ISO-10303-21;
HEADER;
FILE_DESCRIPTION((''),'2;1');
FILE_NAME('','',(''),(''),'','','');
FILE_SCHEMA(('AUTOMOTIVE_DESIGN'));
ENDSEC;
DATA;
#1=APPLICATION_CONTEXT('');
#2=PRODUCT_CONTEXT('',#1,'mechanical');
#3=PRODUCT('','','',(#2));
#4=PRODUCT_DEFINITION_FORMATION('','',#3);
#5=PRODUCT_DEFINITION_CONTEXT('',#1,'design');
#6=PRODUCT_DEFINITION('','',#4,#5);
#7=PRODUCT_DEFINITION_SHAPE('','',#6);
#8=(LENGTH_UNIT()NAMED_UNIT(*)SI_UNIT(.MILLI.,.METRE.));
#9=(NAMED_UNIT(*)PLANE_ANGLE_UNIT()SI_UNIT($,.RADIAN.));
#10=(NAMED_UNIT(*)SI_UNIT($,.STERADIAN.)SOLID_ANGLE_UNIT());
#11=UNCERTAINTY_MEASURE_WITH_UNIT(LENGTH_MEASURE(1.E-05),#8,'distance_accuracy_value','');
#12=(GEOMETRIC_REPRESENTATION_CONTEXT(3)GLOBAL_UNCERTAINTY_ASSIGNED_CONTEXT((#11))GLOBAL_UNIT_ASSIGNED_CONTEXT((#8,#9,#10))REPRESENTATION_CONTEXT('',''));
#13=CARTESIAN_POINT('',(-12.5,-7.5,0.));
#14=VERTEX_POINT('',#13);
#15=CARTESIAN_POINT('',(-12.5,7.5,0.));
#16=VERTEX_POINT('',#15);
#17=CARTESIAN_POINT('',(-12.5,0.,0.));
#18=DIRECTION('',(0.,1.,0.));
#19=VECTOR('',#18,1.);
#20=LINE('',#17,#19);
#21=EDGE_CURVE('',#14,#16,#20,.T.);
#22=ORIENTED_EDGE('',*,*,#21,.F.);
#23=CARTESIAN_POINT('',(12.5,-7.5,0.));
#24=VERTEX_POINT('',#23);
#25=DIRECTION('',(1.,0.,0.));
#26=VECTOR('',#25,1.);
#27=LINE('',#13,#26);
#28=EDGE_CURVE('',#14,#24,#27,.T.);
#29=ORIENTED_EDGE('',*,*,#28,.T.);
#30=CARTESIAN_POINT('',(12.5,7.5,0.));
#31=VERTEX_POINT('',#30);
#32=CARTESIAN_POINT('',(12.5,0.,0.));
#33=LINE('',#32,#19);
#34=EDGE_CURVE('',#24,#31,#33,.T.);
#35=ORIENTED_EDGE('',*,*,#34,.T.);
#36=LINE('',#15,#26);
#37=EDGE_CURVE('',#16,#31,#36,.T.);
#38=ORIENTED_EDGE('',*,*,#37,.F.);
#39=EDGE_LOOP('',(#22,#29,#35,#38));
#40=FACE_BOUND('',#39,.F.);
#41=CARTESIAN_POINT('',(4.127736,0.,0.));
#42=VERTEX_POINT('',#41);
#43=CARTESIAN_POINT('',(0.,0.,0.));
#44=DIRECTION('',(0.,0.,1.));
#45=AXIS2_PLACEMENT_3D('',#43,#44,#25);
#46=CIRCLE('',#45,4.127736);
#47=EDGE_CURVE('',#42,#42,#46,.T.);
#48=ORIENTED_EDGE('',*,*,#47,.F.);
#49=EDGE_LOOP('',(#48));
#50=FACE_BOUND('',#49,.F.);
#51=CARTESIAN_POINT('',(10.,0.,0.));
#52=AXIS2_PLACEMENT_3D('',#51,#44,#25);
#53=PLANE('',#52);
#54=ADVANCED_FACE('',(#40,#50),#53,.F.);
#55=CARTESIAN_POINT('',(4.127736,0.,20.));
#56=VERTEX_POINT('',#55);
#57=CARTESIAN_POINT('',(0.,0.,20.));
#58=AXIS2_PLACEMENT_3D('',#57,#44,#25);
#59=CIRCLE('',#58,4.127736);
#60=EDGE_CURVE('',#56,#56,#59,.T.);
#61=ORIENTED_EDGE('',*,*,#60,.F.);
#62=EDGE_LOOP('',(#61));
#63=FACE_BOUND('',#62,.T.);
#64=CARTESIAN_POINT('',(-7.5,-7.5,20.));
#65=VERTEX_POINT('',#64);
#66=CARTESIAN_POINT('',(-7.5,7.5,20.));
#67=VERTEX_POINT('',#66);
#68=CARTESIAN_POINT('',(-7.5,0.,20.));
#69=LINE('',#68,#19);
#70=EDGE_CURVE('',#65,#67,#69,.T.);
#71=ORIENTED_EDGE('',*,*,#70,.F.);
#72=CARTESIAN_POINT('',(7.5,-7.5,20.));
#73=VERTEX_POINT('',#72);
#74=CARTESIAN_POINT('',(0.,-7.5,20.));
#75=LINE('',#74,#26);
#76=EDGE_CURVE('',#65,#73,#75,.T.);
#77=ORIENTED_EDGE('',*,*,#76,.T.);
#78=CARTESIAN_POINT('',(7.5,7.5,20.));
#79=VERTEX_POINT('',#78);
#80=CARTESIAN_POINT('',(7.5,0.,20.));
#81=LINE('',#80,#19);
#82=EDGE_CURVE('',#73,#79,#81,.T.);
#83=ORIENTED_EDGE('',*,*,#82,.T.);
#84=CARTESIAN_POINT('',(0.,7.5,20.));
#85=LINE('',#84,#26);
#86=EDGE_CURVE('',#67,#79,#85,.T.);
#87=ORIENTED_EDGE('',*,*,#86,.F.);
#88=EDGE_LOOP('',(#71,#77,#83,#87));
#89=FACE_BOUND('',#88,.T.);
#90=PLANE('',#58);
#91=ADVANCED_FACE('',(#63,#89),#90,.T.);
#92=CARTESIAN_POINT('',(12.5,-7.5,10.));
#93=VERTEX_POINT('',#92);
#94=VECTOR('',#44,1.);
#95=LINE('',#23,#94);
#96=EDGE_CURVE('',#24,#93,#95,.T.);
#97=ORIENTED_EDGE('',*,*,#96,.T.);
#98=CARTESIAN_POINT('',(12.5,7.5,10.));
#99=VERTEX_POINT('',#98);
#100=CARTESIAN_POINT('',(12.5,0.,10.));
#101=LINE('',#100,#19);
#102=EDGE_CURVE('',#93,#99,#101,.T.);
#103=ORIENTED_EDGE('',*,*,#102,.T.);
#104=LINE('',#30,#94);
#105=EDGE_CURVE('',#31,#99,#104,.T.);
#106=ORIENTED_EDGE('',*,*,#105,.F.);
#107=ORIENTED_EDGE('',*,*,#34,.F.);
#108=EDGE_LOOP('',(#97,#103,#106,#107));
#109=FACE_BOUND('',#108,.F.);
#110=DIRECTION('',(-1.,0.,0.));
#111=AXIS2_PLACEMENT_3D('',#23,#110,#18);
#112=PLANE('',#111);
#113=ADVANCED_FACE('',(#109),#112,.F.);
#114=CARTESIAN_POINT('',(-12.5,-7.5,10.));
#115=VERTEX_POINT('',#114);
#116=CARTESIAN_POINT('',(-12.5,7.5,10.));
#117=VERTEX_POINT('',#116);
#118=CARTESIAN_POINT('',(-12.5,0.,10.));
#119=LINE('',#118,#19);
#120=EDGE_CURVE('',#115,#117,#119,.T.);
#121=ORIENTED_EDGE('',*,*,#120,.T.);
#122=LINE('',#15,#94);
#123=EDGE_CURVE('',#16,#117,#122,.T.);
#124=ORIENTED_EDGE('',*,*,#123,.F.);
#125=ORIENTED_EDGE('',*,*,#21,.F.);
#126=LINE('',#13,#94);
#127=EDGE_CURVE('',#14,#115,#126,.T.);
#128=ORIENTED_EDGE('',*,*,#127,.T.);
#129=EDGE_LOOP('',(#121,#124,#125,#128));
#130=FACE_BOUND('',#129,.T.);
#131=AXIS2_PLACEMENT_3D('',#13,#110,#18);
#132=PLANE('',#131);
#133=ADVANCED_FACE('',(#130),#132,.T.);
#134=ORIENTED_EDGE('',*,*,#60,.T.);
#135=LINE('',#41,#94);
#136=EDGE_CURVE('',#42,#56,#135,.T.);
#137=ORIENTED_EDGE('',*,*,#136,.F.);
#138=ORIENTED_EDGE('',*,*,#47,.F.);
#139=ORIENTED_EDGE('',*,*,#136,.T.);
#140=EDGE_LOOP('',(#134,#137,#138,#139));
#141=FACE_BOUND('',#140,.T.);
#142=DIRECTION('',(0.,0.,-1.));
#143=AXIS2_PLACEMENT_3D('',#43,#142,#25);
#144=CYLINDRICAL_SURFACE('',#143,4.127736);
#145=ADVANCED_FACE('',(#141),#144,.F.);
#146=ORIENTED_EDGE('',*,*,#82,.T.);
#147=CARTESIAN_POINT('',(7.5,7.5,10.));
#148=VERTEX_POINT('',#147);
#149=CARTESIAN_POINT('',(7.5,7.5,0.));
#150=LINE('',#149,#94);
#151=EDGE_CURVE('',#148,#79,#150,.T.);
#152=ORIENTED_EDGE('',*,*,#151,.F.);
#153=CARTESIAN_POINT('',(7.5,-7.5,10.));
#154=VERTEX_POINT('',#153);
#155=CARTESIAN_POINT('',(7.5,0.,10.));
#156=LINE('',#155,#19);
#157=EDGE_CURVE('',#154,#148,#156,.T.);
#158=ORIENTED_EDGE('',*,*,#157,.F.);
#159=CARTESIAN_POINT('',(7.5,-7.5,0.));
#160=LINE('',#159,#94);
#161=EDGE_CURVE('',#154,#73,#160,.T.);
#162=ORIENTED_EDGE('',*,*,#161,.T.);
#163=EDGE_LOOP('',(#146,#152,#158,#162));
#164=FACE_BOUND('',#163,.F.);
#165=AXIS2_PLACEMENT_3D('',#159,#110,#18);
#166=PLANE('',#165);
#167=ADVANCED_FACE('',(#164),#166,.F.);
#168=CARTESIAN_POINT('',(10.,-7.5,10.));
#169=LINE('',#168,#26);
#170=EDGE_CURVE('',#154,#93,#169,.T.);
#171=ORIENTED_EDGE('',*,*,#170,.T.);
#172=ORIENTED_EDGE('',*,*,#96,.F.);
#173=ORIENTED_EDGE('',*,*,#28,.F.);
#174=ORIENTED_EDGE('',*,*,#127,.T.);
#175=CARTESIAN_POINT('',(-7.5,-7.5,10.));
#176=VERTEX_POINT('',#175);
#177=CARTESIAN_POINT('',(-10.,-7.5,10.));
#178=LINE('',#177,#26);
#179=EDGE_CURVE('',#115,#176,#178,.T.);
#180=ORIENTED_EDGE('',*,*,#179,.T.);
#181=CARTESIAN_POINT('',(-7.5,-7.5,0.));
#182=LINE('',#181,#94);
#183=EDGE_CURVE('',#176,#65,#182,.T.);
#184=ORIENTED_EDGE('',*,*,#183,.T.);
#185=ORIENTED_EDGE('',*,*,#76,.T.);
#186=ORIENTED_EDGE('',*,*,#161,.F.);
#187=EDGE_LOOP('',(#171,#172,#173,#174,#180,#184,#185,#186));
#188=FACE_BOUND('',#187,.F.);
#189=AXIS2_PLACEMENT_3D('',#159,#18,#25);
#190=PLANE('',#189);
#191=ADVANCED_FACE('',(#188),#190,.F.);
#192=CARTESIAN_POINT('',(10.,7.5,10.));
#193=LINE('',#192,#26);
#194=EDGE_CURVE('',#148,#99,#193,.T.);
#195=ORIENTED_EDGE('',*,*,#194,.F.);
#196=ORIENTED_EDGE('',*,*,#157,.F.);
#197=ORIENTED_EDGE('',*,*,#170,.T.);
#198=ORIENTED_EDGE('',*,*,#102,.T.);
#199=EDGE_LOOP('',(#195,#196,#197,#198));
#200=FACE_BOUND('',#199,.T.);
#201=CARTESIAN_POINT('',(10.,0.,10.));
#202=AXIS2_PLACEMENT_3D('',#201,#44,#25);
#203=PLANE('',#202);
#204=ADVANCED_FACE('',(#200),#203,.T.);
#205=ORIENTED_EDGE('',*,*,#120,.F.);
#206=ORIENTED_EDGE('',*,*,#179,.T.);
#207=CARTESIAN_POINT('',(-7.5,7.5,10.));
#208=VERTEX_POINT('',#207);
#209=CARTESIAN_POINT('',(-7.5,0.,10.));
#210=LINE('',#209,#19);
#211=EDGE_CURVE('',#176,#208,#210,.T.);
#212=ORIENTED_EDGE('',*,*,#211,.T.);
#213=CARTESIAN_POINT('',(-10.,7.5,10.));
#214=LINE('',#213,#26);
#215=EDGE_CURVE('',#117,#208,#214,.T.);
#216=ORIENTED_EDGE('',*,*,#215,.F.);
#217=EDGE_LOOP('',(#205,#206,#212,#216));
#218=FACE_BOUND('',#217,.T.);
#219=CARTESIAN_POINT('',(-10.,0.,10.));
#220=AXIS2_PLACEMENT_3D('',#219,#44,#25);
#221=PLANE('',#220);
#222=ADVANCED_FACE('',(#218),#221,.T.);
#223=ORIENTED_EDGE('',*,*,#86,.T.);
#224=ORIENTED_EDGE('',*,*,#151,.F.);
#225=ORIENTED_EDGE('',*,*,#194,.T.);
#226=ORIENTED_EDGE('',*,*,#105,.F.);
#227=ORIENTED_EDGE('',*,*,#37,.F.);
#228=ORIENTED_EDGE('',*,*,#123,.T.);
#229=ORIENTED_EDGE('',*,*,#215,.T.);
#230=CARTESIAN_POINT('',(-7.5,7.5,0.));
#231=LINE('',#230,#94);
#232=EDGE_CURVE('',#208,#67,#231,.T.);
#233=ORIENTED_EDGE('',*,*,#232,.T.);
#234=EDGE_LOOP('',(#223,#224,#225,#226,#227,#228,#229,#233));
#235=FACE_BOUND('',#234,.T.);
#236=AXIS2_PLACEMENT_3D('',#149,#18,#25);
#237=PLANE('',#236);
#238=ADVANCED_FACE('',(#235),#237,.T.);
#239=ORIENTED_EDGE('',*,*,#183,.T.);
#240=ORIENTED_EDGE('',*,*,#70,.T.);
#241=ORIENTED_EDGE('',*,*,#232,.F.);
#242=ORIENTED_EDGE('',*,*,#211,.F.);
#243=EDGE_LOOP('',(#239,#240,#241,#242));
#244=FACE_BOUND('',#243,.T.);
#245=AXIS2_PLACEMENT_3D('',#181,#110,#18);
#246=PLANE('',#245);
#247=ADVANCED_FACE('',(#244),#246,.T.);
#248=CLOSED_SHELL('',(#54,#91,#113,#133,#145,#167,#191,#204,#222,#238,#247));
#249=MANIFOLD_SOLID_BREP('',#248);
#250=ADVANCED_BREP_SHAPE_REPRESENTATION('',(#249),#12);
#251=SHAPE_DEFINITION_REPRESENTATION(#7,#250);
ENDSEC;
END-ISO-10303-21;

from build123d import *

# Parameters (mm, degrees)
F0_W     = 15
F0_H     = 15
F0_R     = 4.127736
F1_DEPTH = 20
F0_W_2   = 5
F2_DEPTH = 10


with BuildPart() as f1:
    # F0 (on Top) → F1 (new body)
    with BuildSketch(Plane.XY):
        Rectangle(F0_W, F0_H)
        Circle(F0_R, mode=Mode.SUBTRACT)
    extrude(amount=F1_DEPTH)

    # F0 (on Top) → F2 (join)
    with BuildSketch(Plane.XY):
        with Locations((10, 0)):
            Rectangle(F0_W_2, F0_H)
        with Locations((-10, 0)):
            Rectangle(F0_W_2, F0_H)
    extrude(amount=F2_DEPTH)


solid = f1.part
